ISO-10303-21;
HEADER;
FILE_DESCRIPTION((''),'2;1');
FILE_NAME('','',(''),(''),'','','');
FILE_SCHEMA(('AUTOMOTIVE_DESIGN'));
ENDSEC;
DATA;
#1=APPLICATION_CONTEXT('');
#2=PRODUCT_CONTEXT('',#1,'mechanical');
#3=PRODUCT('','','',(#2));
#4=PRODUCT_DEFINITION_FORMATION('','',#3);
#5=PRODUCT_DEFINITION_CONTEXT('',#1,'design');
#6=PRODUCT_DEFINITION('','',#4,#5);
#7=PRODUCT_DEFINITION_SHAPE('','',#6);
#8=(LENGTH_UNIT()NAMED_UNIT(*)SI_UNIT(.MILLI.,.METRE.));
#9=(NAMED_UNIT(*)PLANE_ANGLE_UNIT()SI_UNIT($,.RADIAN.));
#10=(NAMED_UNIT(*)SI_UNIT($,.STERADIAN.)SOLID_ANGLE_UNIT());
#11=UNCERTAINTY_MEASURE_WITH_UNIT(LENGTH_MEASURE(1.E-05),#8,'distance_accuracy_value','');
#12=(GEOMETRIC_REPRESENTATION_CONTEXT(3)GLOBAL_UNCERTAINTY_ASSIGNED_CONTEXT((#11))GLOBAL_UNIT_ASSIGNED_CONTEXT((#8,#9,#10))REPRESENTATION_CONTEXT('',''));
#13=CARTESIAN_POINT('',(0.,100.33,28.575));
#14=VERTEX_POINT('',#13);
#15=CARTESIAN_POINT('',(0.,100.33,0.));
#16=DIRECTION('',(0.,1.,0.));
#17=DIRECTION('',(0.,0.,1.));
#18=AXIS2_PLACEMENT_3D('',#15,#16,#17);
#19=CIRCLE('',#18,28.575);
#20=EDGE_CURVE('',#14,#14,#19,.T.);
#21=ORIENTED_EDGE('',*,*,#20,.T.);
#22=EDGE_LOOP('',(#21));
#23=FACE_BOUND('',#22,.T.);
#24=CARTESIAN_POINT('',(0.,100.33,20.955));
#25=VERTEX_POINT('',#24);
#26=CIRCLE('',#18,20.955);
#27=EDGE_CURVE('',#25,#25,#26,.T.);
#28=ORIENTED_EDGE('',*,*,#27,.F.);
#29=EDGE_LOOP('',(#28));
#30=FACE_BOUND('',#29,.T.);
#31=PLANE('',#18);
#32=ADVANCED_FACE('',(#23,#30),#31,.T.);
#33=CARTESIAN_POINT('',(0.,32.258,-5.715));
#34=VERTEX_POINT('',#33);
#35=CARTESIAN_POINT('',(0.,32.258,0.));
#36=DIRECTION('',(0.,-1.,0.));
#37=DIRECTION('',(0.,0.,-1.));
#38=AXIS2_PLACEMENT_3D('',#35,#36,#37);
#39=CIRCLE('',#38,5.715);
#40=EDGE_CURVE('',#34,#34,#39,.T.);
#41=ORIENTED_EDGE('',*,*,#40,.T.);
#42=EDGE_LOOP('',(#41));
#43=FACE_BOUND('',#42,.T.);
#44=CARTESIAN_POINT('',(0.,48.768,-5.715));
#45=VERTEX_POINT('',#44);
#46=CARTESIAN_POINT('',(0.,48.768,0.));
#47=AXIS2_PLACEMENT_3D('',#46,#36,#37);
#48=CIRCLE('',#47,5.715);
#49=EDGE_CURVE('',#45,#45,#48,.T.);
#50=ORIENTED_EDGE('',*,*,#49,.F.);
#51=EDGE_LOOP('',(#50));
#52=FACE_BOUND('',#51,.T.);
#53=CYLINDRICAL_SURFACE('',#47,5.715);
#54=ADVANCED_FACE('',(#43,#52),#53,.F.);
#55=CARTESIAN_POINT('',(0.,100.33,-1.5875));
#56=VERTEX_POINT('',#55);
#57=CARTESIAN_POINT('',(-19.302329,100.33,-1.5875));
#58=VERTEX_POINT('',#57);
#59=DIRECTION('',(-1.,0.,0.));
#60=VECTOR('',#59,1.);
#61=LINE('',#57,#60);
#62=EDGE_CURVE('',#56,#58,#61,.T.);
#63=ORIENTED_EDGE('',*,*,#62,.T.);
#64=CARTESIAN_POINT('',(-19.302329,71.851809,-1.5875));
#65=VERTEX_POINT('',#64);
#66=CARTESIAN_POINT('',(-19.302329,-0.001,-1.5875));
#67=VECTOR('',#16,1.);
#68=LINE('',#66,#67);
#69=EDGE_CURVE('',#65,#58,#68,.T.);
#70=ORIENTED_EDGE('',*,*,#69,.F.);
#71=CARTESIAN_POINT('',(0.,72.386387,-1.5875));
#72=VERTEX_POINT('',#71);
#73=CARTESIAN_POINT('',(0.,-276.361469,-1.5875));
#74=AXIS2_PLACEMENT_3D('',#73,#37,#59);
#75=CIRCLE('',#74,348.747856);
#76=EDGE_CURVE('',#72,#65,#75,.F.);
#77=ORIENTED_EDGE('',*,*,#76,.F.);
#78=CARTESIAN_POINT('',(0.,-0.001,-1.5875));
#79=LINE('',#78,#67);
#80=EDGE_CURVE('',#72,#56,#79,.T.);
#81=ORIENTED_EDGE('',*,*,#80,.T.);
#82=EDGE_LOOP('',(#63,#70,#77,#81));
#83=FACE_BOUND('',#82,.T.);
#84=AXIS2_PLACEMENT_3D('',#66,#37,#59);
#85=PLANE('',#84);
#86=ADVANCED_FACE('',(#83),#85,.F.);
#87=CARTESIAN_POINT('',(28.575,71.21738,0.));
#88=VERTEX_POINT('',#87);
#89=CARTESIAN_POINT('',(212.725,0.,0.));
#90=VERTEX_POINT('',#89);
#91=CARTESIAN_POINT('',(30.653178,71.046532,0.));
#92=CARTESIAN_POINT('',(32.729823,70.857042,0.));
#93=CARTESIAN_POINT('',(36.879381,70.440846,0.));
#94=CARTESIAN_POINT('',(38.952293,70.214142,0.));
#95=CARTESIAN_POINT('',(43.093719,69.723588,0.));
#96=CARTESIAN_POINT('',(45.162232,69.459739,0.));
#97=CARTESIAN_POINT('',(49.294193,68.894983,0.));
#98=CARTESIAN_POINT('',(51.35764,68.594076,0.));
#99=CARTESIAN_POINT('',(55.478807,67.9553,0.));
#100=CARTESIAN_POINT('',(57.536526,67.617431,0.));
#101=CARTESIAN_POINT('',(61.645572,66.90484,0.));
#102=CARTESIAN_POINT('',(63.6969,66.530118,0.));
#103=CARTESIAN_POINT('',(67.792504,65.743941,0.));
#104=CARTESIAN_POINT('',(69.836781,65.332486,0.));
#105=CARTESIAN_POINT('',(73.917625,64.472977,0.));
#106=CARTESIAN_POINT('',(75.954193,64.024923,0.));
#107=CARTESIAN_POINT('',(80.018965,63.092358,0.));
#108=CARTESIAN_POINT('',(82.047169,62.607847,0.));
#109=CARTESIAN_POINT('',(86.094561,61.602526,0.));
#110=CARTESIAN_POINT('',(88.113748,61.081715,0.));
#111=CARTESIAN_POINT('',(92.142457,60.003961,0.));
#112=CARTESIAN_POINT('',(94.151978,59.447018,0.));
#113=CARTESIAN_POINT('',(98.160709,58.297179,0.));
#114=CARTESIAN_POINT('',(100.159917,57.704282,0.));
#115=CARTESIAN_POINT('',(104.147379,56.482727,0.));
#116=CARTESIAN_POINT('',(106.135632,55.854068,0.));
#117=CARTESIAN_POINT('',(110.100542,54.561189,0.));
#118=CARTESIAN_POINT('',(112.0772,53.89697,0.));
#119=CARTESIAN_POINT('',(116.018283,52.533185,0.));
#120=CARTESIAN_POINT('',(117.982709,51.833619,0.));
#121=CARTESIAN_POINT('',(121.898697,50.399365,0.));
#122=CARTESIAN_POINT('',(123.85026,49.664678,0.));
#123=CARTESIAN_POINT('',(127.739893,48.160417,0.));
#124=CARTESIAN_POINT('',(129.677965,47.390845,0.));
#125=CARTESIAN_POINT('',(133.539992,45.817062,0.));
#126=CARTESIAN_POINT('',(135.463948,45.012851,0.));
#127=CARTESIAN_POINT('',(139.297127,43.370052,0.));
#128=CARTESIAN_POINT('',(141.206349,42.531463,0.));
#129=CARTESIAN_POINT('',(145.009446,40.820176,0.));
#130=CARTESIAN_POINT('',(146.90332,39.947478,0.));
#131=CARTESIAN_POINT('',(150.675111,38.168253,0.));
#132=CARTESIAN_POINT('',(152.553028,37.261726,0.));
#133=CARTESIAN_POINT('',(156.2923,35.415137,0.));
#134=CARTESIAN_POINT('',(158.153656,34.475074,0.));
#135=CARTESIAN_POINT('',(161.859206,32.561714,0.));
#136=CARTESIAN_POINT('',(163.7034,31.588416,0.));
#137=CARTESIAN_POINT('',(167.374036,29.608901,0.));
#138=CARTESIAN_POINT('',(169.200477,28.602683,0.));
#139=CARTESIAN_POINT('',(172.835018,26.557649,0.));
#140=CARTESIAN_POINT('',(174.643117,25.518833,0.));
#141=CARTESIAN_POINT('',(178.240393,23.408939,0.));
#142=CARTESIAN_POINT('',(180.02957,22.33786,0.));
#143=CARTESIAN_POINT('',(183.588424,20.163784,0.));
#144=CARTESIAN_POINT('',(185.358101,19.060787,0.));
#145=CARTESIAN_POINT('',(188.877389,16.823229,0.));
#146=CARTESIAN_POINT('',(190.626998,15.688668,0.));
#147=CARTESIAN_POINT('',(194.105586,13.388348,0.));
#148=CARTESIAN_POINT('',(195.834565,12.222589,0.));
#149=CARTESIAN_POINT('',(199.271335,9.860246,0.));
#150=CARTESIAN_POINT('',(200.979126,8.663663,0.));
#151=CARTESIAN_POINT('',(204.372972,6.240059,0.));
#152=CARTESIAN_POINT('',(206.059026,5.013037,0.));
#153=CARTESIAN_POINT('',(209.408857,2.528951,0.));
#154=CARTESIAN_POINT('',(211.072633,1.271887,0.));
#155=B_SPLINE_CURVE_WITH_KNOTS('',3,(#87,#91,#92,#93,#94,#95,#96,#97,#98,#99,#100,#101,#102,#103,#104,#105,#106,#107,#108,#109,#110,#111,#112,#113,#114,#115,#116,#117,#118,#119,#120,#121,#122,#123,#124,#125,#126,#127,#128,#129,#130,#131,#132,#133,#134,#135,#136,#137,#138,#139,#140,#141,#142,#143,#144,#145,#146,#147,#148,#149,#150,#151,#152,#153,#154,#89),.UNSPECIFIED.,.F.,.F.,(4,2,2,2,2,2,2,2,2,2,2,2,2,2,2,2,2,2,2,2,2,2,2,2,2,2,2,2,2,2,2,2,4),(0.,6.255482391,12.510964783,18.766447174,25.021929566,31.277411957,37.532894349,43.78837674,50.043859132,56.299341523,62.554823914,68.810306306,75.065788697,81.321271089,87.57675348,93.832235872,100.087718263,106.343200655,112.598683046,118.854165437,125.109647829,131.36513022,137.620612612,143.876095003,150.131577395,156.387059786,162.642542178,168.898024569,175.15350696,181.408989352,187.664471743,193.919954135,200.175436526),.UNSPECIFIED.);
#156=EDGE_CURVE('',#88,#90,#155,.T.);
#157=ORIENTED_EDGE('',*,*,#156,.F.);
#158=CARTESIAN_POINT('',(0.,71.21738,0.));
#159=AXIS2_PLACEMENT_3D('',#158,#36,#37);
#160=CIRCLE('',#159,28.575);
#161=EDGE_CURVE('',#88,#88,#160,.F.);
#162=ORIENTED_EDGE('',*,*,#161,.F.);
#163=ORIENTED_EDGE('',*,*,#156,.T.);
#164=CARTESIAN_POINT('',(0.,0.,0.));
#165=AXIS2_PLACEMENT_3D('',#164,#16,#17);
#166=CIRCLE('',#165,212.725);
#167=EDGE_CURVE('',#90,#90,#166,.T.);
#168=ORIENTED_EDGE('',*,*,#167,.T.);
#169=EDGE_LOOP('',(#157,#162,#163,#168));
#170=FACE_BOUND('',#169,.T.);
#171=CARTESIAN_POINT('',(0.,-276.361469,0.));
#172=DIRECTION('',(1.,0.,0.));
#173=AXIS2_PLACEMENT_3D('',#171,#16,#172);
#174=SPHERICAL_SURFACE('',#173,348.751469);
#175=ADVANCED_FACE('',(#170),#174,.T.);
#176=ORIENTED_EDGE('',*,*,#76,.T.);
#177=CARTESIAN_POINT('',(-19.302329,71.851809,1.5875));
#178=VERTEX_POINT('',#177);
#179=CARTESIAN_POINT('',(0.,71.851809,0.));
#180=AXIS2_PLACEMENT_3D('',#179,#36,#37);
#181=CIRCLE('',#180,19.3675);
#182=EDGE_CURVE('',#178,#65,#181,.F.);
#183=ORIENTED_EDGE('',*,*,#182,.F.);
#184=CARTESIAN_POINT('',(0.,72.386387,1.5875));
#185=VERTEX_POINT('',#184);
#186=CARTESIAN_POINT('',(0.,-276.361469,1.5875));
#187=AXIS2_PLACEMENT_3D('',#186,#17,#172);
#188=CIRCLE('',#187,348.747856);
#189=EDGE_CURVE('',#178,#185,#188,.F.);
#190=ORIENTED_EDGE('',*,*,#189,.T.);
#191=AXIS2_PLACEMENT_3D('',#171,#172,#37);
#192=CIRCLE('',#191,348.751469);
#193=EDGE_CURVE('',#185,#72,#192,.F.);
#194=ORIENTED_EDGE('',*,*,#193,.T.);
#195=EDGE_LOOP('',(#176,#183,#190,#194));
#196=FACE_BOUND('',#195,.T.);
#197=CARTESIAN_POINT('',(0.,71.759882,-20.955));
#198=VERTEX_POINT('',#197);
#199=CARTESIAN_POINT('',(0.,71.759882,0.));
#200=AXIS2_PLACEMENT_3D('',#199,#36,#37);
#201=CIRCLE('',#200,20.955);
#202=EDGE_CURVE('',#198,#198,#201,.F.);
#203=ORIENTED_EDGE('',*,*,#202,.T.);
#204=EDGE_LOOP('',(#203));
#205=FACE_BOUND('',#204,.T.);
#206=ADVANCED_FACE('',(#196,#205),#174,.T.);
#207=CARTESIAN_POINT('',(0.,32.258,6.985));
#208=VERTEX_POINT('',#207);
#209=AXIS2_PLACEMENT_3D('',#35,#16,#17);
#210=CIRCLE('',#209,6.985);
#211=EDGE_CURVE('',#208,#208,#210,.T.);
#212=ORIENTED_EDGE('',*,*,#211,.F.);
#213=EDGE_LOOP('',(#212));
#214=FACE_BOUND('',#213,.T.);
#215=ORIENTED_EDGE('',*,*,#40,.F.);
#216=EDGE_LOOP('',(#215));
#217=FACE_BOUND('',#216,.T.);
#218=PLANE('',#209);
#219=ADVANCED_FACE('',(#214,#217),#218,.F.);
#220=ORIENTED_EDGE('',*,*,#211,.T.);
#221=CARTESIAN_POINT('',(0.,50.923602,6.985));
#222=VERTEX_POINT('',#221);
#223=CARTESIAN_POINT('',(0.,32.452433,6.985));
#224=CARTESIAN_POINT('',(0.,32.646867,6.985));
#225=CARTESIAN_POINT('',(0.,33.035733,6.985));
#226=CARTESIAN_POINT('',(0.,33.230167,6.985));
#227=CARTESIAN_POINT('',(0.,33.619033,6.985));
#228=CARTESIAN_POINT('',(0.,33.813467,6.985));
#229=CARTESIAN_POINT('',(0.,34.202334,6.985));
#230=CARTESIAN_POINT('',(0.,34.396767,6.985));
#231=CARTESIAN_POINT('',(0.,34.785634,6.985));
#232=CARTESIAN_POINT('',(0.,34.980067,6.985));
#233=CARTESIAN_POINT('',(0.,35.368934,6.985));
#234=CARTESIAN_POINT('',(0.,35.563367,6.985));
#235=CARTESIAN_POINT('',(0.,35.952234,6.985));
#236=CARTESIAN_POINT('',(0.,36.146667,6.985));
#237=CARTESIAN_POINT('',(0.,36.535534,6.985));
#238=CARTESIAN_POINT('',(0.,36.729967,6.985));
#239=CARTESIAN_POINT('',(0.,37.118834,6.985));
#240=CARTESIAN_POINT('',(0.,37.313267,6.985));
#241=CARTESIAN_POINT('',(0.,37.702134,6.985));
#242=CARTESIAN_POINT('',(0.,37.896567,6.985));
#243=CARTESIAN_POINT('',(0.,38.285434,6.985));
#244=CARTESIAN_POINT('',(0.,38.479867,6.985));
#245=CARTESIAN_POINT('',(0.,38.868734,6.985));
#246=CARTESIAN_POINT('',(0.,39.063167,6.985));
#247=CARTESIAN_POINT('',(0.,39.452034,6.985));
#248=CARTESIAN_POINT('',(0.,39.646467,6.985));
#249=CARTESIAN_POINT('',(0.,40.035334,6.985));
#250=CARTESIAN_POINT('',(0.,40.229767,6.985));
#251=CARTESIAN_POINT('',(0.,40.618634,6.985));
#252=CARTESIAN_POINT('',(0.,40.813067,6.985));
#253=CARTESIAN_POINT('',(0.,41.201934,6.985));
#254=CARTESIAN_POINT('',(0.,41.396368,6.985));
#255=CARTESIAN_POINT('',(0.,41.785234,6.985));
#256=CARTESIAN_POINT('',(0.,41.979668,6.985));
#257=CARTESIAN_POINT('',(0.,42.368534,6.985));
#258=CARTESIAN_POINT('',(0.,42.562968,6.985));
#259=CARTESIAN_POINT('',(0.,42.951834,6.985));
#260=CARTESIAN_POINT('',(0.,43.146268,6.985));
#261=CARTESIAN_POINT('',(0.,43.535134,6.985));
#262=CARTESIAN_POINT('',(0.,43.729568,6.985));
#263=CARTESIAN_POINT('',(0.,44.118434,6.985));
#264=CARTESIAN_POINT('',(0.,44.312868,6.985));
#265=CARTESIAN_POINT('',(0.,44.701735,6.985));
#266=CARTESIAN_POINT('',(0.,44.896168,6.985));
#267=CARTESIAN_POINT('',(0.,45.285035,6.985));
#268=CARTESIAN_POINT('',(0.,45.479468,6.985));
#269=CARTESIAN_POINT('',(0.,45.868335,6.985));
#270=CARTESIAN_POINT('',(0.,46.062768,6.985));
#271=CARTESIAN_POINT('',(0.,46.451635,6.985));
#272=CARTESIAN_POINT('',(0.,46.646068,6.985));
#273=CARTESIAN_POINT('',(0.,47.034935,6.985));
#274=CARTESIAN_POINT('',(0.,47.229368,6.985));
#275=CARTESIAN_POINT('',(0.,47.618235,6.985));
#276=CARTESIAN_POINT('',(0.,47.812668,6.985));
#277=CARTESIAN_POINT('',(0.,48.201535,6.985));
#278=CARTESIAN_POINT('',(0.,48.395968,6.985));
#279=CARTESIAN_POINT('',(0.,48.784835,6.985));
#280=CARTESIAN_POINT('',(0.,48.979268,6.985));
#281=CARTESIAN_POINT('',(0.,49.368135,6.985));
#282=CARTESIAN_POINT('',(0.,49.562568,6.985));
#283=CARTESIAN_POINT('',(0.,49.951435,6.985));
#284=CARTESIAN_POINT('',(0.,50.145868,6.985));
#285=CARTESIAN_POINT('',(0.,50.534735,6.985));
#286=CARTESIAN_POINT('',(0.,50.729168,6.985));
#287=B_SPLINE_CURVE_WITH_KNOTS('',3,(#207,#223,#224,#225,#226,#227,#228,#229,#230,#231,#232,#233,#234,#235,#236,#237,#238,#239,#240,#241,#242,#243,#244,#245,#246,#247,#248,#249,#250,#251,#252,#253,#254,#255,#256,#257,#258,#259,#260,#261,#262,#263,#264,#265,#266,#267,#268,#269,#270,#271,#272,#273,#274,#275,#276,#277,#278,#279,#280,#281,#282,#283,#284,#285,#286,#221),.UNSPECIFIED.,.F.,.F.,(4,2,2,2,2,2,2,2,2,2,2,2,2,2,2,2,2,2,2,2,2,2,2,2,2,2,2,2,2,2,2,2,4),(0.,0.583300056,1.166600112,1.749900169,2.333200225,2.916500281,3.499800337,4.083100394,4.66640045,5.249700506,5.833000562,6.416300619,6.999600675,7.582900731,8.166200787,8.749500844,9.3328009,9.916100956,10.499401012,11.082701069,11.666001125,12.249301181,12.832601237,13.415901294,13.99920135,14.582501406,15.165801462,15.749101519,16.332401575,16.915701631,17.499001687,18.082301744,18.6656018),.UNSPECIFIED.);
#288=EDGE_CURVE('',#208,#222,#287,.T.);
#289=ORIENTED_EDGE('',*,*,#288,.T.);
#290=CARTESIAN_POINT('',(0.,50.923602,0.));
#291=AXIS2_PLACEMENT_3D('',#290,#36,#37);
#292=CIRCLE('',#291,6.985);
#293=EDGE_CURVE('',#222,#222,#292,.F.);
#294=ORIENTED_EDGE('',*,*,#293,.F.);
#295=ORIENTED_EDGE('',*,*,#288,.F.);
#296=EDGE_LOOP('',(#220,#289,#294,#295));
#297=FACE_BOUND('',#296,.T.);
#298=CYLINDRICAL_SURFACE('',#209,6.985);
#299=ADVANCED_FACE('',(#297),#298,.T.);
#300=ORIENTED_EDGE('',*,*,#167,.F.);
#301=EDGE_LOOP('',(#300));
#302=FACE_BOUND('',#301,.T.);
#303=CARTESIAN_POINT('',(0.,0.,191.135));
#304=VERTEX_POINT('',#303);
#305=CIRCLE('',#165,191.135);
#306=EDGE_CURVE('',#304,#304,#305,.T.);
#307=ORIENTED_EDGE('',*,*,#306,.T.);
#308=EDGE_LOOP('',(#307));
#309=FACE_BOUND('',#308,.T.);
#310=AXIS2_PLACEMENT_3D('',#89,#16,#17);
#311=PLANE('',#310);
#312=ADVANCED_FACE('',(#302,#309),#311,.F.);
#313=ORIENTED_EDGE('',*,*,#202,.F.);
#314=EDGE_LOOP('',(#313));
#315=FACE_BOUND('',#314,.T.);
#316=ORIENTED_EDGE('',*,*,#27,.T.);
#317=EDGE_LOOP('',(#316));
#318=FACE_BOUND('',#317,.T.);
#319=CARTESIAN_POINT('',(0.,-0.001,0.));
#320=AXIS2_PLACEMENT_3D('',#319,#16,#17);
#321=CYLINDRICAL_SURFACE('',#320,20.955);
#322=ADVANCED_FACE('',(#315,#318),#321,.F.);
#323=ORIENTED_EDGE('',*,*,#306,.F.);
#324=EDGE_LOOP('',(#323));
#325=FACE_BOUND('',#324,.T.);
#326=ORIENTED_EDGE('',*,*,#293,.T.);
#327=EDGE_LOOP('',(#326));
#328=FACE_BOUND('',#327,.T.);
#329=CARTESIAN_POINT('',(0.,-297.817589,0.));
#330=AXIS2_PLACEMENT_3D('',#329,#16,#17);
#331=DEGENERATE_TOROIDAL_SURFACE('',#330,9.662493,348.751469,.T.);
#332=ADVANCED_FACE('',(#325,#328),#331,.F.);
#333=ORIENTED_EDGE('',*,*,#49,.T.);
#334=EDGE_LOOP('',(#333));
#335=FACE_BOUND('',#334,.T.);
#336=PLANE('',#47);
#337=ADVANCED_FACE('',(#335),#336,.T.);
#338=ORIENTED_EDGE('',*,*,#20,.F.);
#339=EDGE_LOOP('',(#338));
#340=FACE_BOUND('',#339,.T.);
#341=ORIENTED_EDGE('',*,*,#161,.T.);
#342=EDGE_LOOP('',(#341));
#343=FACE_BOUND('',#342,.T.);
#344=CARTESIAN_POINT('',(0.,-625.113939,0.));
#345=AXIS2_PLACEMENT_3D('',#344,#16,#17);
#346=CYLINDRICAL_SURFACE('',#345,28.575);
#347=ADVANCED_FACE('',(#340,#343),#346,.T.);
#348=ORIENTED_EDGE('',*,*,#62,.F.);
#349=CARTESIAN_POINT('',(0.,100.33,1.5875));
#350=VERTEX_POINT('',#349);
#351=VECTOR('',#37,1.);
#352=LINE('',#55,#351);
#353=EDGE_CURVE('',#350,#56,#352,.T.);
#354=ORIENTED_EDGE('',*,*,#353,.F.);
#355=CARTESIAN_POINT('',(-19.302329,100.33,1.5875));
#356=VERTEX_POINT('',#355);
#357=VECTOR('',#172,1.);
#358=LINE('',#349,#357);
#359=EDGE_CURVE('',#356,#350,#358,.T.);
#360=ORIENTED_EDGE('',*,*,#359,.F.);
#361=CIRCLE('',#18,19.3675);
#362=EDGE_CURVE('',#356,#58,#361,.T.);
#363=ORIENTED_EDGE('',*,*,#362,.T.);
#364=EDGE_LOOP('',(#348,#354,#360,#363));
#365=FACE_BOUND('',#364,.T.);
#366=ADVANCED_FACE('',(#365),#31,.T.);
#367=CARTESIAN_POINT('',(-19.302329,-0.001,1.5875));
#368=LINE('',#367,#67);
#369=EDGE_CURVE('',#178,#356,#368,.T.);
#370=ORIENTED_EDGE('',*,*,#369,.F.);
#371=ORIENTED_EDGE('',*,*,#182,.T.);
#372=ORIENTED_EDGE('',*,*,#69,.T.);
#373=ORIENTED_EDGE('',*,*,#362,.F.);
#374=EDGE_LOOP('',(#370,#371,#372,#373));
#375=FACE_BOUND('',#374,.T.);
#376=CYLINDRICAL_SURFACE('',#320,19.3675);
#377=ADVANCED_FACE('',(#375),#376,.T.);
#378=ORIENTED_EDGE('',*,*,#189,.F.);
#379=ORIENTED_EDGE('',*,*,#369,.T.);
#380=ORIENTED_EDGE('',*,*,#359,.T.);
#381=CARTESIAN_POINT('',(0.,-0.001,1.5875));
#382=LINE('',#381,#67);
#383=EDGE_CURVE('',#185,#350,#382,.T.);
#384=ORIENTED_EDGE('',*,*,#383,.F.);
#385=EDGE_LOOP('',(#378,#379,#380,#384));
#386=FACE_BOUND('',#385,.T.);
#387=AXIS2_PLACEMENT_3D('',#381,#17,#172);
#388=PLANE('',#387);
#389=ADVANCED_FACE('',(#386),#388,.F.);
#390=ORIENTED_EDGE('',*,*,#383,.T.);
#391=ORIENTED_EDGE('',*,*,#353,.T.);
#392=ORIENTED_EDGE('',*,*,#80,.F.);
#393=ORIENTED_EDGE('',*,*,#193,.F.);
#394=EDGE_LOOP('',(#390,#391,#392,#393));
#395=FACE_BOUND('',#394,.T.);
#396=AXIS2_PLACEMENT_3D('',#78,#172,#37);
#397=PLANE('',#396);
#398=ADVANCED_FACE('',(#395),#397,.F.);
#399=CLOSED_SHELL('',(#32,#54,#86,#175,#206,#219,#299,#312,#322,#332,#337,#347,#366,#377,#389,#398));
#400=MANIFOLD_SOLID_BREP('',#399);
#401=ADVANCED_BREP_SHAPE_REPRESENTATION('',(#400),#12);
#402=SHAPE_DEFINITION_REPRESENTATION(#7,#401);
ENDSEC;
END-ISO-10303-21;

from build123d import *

# Parameters (mm, degrees)
BOSS_EXTRUDE1_REACH      = 319.128
BOSS_EXTRUDE1_END_RADIUS = 348.751469298
SKETCH2_R                = 28.575
CUT_EXTRUDE1_REACH       = 319.128
CUT_EXTRUDE1_END_RADIUS  = 348.751469298
SKETCH3_R                = 20.955
SKETCH3_R_2              = 19.3675
CUT_EXTRUDE2_REACH       = 319.128
CUT_EXTRUDE2_END_RADIUS  = 348.751469298
SKETCH6_R                = 6.985
BOSS_EXTRUDE4_DEPTH      = 19.05
SKETCH7_R                = 5.715
CUT_EXTRUDE3_DEPTH       = 16.51


with BuildPart() as part:
    # Sketch1 → Revolve1 (revolve)
    with BuildSketch(Plane.XY):
        with BuildLine():
            Line((212.725, 0), (191.135, 0))
            ThreePointArc((191.135, 0), (99.243909749, 39.232491681), (0, 50.8))
            Line((0, 50.8), (0, 72.39))
            ThreePointArc((0, 72.39), (112.352389522, 53.796868331), (212.725, 0))
        make_face()
    revolve(axis=Axis((0, 0, 0), (0, -1, 0)))

    # Boss-Extrude1: up to this sphere (the profile starts outside it)
    boss_extrude1_end = Location((0, -276.361469298, 0)) * Sphere(BOSS_EXTRUDE1_END_RADIUS, mode=Mode.PRIVATE)
    # Sketch2 → Boss-Extrude1 (add, up to the surface)
    with BuildSketch(Plane(origin=(0, 100.33, 0), x_dir=(1, 0, 0), z_dir=(0, 1, 0)), mode=Mode.PRIVATE) as boss_extrude1_sk1:
        with Locations(Location((0, 0, 0), (0, 0, 270))):
            Circle(SKETCH2_R)
    boss_extrude1_tool1 = extrude(boss_extrude1_sk1.sketch, amount=-BOSS_EXTRUDE1_REACH, mode=Mode.PRIVATE) - boss_extrude1_end
    add(boss_extrude1_tool1.solids().sort_by_distance((0, 100.33, 0))[0])

    # Cut-Extrude1: up to this sphere (the profile starts outside it)
    cut_extrude1_end = Location((0, -276.361469298, 0)) * Sphere(CUT_EXTRUDE1_END_RADIUS, mode=Mode.PRIVATE)
    # Sketch3 → Cut-Extrude1 (cut, up to the surface)
    with BuildSketch(Plane(origin=(0, 100.33, 0), x_dir=(1, 0, 0), z_dir=(0, 1, 0)), mode=Mode.PRIVATE) as cut_extrude1_sk1:
        with Locations(Location((0, 0, 0), (0, 0, 270))):
            Circle(SKETCH3_R)
        with Locations(Location((0, 0, 0), (0, 0, 270))):
            Circle(SKETCH3_R_2, mode=Mode.SUBTRACT)
    cut_extrude1_tool1 = extrude(cut_extrude1_sk1.sketch, amount=-CUT_EXTRUDE1_REACH, mode=Mode.PRIVATE) - cut_extrude1_end
    add(cut_extrude1_tool1.solids().sort_by_distance((0, 100.33, -20.362303))[0], mode=Mode.SUBTRACT)

    # Cut-Extrude2: up to this sphere (the profile starts outside it)
    cut_extrude2_end = Location((0, -276.361469298, 0)) * Sphere(CUT_EXTRUDE2_END_RADIUS, mode=Mode.PRIVATE)
    # Sketch4 → Cut-Extrude2 (cut, up to the surface)
    with BuildSketch(Plane(origin=(0, 100.33, 0), x_dir=(1, 0, 0), z_dir=(0, 1, 0)), mode=Mode.PRIVATE) as cut_extrude2_sk1:
        with BuildLine():
            Line((-19.302328875, 1.5875), (0, 1.5875))
            Line((0, 1.5875), (0, -1.5875))
            Line((0, -1.5875), (-19.302328875, -1.5875))
            ThreePointArc((-19.302328875, -1.5875), (-19.959892905, 0), (-19.302328875, 1.5875))
        make_face()
    cut_extrude2_tool1 = extrude(cut_extrude2_sk1.sketch, amount=-CUT_EXTRUDE2_REACH, mode=Mode.PRIVATE) - cut_extrude2_end
    add(cut_extrude2_tool1.solids().sort_by_distance((-9.878619, 100.33, 0))[0], mode=Mode.SUBTRACT)

    # Sketch6 → Boss-Extrude4 (add)
    with BuildSketch(Plane(origin=(0, 51.308, 0), x_dir=(1, 0, 0), z_dir=(0, 1, 0))):
        with Locations(Location((0, 0, 0), (0, 0, 270))):
            Circle(SKETCH6_R)
    extrude(amount=-BOSS_EXTRUDE4_DEPTH)

    # Sketch7 → Cut-Extrude3 (cut)
    with BuildSketch(Plane.XZ.offset(-32.258)):
        with Locations(Location((0, 0, 0), (0, 0, 270))):
            Circle(SKETCH7_R)
    extrude(amount=-CUT_EXTRUDE3_DEPTH, mode=Mode.SUBTRACT)


solid = part.part
